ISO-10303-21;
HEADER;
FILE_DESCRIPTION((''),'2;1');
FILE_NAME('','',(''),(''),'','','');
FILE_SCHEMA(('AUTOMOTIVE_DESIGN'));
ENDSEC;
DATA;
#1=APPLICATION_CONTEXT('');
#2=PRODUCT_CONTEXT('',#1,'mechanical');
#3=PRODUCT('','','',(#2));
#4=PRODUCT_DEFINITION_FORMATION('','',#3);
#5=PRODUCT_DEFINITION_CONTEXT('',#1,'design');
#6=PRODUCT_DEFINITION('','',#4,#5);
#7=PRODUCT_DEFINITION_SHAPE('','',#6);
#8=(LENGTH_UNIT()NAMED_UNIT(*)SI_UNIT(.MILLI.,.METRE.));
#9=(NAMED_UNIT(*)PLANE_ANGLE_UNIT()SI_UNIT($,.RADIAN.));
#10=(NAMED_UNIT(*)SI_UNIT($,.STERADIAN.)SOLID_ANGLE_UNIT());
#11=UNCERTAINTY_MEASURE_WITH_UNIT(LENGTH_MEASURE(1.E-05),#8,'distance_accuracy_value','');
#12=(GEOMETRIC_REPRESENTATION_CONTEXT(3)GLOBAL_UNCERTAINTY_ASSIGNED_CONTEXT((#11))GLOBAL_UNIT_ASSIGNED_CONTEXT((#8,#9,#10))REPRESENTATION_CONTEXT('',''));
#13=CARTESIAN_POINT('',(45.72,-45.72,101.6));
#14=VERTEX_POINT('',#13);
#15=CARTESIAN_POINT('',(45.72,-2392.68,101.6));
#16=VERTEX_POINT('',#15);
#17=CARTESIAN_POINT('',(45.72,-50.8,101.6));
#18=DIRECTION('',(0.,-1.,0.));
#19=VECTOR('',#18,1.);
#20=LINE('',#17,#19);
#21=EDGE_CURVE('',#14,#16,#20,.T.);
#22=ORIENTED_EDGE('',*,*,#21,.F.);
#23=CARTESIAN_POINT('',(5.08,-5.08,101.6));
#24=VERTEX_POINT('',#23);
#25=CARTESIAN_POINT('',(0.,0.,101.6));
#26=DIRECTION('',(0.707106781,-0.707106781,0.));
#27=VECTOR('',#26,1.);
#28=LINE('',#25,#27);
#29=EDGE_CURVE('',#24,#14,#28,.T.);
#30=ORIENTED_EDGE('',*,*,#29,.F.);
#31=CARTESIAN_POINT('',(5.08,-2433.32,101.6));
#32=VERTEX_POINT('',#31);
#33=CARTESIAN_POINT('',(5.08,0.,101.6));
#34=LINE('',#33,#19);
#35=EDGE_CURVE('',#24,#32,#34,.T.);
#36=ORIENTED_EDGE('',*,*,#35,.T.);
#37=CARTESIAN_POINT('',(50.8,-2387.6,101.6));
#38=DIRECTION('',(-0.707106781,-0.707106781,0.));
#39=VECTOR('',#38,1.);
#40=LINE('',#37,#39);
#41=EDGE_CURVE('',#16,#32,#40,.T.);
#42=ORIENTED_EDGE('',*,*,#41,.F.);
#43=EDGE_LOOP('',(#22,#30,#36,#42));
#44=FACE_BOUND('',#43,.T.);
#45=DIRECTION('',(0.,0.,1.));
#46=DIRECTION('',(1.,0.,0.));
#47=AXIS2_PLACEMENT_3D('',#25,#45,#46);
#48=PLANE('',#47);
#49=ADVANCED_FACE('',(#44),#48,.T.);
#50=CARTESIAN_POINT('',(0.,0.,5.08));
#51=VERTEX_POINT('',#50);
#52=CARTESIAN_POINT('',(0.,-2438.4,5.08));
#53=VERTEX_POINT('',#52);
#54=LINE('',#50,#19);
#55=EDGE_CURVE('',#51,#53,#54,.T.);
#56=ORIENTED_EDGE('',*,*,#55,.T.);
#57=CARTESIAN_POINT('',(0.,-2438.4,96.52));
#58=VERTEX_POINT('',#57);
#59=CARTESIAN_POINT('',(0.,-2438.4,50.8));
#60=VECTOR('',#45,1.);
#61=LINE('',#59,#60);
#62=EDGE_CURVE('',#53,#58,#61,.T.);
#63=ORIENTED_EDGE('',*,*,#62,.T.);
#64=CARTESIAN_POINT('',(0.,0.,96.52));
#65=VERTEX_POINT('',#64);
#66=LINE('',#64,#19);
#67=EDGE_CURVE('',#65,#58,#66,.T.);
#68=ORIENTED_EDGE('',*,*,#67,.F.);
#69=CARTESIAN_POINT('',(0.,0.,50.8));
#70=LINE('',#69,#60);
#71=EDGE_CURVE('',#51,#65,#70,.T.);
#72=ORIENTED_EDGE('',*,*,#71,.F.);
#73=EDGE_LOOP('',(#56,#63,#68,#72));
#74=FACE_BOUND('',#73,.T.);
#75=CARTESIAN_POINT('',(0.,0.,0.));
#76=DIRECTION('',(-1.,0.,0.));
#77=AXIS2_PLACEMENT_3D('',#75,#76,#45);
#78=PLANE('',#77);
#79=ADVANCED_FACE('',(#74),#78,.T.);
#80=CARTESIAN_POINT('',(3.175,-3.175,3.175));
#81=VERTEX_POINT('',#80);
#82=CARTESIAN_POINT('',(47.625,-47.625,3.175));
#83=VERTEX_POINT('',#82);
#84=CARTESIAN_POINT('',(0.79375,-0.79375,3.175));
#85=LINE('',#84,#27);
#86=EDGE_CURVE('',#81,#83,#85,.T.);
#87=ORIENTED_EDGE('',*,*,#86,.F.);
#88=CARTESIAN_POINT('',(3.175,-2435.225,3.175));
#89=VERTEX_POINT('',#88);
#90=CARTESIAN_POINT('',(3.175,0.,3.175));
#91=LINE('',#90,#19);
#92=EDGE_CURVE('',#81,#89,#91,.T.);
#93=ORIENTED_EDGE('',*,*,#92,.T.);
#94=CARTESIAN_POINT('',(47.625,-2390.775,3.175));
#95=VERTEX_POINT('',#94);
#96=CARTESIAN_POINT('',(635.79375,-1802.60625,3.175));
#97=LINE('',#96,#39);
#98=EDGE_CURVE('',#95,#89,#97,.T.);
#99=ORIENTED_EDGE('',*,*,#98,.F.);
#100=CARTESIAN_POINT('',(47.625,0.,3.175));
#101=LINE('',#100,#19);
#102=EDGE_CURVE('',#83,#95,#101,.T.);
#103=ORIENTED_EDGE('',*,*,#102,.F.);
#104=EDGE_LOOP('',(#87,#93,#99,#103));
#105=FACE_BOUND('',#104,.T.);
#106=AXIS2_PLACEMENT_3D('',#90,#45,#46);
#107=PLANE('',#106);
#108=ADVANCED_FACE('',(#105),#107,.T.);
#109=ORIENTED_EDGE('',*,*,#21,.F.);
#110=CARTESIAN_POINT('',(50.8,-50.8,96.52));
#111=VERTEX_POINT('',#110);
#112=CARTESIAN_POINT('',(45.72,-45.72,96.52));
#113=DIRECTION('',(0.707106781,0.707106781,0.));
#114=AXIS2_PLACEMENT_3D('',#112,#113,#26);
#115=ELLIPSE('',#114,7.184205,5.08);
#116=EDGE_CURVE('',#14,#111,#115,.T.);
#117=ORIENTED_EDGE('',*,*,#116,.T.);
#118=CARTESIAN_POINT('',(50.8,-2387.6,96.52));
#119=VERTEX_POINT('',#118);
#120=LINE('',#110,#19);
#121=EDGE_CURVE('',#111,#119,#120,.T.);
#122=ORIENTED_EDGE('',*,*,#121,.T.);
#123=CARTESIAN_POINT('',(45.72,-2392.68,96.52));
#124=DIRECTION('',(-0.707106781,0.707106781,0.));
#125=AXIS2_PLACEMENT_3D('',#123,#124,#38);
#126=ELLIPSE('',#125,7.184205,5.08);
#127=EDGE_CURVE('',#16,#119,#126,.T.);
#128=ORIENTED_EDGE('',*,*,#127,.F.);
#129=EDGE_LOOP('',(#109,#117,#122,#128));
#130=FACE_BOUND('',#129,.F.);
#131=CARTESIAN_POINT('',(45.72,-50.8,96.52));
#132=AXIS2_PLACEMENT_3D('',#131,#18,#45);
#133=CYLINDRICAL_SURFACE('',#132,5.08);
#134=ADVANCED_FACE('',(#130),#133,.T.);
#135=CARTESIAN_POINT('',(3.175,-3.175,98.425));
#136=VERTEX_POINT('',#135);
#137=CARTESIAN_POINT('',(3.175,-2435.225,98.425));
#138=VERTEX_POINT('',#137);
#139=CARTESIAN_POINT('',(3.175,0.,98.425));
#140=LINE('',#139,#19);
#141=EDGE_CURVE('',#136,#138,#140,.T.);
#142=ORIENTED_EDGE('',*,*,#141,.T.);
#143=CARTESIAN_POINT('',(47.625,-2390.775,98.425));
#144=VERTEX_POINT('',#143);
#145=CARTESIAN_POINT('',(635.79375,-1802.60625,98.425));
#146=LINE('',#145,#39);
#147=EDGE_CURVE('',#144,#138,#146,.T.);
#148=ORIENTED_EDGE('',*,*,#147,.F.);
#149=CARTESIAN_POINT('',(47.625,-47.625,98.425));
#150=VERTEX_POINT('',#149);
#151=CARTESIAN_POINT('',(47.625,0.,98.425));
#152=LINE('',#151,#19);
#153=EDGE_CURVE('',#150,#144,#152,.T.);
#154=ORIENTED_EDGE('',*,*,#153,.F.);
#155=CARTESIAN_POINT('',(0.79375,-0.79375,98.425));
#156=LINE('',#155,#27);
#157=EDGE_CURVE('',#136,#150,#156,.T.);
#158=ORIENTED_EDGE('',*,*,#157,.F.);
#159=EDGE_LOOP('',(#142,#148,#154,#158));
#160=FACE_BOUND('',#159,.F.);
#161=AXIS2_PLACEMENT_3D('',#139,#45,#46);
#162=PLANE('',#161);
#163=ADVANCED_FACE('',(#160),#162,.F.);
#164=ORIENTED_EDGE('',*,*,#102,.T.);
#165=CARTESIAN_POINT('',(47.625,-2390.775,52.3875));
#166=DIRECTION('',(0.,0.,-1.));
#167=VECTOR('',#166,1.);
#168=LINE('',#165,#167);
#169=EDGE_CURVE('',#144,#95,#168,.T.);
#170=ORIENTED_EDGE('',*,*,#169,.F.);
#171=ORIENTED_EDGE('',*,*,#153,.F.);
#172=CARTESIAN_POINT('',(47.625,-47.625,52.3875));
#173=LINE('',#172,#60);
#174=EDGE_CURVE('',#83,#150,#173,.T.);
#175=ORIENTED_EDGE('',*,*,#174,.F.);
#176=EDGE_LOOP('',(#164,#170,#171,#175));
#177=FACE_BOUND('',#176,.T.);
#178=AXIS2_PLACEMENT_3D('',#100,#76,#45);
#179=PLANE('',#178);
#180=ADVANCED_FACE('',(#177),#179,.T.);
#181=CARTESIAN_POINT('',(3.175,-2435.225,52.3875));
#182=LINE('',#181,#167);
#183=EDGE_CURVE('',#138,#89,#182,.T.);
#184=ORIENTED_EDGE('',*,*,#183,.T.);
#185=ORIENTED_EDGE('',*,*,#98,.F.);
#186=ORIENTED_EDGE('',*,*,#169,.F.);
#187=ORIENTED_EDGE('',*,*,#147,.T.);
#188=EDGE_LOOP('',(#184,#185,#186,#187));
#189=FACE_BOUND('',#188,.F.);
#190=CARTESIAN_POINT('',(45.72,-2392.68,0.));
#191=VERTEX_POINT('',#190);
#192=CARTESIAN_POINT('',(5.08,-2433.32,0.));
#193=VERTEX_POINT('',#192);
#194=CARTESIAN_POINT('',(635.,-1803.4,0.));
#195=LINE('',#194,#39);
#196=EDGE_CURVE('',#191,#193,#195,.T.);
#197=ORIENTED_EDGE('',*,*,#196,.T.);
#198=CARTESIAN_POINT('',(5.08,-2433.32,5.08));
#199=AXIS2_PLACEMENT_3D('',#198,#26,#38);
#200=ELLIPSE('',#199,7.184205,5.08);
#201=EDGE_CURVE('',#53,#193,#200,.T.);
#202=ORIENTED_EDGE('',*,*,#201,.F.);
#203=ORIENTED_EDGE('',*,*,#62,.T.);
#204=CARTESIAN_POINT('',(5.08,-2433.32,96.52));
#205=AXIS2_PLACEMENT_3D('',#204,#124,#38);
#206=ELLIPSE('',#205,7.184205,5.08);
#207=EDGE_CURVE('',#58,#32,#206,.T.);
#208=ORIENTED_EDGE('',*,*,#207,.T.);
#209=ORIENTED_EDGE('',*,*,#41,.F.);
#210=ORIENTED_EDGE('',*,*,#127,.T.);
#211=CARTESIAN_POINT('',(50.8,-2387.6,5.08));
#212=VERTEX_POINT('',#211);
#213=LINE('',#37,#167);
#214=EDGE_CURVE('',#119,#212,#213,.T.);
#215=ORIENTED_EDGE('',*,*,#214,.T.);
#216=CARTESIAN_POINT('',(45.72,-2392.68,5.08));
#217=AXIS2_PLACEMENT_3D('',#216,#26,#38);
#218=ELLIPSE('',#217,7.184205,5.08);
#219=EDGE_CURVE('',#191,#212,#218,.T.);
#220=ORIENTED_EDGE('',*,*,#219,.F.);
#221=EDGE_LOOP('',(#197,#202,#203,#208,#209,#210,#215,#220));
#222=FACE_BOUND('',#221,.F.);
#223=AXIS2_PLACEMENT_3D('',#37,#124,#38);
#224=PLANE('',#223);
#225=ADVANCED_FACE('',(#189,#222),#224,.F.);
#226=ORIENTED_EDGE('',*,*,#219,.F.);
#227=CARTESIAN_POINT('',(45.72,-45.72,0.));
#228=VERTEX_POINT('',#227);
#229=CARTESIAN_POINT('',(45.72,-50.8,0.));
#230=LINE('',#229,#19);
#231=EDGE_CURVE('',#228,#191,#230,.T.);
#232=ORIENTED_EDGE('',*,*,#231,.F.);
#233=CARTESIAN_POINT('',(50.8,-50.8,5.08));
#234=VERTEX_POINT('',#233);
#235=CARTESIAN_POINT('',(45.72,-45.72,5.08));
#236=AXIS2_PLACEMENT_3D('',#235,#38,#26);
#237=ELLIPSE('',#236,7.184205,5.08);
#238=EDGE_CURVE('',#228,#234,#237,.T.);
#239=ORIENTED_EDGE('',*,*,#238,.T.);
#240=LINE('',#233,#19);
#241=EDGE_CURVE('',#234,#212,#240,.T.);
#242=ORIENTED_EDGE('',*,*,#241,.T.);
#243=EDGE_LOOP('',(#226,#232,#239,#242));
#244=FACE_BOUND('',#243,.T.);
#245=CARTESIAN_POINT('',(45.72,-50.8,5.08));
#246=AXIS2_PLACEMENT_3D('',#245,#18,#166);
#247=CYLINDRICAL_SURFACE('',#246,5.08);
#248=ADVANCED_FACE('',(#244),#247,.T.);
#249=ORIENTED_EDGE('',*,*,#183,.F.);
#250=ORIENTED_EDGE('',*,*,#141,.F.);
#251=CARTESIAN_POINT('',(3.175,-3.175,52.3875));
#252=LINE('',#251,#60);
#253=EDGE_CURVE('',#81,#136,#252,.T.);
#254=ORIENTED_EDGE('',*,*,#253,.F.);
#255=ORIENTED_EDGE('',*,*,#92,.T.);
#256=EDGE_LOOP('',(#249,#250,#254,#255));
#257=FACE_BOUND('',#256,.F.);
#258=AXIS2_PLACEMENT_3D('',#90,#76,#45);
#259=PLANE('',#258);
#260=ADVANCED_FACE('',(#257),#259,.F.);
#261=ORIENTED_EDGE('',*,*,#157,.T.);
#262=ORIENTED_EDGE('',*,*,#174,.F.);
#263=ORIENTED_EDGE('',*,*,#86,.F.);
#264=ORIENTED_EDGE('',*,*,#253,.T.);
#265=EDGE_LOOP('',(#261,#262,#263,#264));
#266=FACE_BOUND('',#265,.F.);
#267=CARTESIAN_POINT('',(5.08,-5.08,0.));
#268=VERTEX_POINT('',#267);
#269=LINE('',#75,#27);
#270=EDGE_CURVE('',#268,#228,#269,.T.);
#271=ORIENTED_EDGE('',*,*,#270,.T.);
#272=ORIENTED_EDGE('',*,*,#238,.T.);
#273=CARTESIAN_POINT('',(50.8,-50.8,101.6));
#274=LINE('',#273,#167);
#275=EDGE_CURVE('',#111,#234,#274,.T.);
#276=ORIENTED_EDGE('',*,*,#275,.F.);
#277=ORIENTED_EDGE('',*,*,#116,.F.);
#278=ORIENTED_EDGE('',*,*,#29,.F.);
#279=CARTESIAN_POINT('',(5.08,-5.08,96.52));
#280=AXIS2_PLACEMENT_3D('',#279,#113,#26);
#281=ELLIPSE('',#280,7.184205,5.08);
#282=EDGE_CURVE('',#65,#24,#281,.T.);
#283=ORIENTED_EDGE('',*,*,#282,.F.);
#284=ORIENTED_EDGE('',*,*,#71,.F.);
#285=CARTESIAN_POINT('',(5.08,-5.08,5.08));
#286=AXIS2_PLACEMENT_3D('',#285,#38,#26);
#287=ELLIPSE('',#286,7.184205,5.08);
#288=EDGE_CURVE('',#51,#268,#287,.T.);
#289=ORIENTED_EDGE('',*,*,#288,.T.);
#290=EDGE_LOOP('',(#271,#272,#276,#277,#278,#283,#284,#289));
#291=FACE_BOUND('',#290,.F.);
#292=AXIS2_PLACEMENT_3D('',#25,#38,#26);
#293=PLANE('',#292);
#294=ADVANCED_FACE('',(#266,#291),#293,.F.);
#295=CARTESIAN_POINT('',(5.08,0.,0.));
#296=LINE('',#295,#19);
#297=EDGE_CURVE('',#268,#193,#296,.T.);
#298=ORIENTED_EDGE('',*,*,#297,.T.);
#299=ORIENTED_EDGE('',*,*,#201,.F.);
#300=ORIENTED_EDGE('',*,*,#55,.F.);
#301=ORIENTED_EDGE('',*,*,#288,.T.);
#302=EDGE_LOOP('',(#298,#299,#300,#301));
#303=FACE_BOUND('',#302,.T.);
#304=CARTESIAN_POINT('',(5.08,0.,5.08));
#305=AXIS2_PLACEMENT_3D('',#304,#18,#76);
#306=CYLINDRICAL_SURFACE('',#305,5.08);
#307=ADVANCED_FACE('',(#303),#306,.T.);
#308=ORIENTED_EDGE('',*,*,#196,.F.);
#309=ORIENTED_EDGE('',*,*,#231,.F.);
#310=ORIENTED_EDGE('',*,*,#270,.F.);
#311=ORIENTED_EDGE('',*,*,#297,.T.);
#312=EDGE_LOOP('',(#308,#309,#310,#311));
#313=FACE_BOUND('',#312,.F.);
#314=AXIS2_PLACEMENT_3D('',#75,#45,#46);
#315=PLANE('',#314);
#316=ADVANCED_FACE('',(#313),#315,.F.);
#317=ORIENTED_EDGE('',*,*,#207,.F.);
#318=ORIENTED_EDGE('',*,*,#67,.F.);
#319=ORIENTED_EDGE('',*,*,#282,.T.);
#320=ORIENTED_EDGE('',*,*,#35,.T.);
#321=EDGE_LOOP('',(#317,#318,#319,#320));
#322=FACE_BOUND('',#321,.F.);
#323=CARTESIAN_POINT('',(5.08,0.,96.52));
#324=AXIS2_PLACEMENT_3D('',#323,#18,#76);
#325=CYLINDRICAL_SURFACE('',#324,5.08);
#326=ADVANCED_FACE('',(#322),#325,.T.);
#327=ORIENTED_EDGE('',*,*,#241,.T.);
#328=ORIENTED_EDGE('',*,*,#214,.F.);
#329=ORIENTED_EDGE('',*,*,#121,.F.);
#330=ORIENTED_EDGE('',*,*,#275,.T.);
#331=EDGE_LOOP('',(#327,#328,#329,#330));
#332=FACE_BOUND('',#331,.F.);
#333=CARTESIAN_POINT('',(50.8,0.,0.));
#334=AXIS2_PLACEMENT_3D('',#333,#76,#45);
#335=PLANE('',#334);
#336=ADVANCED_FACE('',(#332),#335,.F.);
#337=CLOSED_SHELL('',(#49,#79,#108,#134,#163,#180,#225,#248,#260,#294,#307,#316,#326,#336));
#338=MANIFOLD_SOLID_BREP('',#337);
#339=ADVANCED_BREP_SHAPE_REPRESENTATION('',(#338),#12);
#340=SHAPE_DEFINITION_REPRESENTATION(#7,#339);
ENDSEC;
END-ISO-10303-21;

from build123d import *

# Parameters (mm, degrees)
F0_W     = 50.8
F0_H     = 101.6
F0_W_2   = 44.45
F0_H_2   = 95.25
F1_DEPTH = 2438.4
F3_DEPTH = 135.382
F4_R     = 5.08


with BuildPart() as f1:
    # F0 (on Front) → F1 (new body)
    with BuildSketch(Plane.XZ):
        with Locations((25.4, 50.8)):
            Rectangle(F0_W, F0_H)
        with Locations((25.4, 50.8)):
            Rectangle(F0_W_2, F0_H_2, mode=Mode.SUBTRACT)
    extrude(amount=F1_DEPTH)

    # F2 (on face) → F3 (cut)
    with BuildSketch(Plane.XY.offset(101.6)):
        Polygon((50.8, 0), (0, 0), (50.8, -50.8), align=None)
        Polygon((50.8, -2387.6), (0, -2438.4), (50.8, -2438.4), align=None)
    extrude(amount=-F3_DEPTH, mode=Mode.SUBTRACT)

    # F4
    f4_edges = [f1.edges().sort_by_distance(p)[0] for p in [
        (50.8, -1219.2, 101.6),
        (0, -1219.2, 101.6),
        (50.8, -1219.2, 0),
        (0, -1219.2, 0),
    ]]
    fillet(f4_edges, radius=F4_R)


solid = f1.part
